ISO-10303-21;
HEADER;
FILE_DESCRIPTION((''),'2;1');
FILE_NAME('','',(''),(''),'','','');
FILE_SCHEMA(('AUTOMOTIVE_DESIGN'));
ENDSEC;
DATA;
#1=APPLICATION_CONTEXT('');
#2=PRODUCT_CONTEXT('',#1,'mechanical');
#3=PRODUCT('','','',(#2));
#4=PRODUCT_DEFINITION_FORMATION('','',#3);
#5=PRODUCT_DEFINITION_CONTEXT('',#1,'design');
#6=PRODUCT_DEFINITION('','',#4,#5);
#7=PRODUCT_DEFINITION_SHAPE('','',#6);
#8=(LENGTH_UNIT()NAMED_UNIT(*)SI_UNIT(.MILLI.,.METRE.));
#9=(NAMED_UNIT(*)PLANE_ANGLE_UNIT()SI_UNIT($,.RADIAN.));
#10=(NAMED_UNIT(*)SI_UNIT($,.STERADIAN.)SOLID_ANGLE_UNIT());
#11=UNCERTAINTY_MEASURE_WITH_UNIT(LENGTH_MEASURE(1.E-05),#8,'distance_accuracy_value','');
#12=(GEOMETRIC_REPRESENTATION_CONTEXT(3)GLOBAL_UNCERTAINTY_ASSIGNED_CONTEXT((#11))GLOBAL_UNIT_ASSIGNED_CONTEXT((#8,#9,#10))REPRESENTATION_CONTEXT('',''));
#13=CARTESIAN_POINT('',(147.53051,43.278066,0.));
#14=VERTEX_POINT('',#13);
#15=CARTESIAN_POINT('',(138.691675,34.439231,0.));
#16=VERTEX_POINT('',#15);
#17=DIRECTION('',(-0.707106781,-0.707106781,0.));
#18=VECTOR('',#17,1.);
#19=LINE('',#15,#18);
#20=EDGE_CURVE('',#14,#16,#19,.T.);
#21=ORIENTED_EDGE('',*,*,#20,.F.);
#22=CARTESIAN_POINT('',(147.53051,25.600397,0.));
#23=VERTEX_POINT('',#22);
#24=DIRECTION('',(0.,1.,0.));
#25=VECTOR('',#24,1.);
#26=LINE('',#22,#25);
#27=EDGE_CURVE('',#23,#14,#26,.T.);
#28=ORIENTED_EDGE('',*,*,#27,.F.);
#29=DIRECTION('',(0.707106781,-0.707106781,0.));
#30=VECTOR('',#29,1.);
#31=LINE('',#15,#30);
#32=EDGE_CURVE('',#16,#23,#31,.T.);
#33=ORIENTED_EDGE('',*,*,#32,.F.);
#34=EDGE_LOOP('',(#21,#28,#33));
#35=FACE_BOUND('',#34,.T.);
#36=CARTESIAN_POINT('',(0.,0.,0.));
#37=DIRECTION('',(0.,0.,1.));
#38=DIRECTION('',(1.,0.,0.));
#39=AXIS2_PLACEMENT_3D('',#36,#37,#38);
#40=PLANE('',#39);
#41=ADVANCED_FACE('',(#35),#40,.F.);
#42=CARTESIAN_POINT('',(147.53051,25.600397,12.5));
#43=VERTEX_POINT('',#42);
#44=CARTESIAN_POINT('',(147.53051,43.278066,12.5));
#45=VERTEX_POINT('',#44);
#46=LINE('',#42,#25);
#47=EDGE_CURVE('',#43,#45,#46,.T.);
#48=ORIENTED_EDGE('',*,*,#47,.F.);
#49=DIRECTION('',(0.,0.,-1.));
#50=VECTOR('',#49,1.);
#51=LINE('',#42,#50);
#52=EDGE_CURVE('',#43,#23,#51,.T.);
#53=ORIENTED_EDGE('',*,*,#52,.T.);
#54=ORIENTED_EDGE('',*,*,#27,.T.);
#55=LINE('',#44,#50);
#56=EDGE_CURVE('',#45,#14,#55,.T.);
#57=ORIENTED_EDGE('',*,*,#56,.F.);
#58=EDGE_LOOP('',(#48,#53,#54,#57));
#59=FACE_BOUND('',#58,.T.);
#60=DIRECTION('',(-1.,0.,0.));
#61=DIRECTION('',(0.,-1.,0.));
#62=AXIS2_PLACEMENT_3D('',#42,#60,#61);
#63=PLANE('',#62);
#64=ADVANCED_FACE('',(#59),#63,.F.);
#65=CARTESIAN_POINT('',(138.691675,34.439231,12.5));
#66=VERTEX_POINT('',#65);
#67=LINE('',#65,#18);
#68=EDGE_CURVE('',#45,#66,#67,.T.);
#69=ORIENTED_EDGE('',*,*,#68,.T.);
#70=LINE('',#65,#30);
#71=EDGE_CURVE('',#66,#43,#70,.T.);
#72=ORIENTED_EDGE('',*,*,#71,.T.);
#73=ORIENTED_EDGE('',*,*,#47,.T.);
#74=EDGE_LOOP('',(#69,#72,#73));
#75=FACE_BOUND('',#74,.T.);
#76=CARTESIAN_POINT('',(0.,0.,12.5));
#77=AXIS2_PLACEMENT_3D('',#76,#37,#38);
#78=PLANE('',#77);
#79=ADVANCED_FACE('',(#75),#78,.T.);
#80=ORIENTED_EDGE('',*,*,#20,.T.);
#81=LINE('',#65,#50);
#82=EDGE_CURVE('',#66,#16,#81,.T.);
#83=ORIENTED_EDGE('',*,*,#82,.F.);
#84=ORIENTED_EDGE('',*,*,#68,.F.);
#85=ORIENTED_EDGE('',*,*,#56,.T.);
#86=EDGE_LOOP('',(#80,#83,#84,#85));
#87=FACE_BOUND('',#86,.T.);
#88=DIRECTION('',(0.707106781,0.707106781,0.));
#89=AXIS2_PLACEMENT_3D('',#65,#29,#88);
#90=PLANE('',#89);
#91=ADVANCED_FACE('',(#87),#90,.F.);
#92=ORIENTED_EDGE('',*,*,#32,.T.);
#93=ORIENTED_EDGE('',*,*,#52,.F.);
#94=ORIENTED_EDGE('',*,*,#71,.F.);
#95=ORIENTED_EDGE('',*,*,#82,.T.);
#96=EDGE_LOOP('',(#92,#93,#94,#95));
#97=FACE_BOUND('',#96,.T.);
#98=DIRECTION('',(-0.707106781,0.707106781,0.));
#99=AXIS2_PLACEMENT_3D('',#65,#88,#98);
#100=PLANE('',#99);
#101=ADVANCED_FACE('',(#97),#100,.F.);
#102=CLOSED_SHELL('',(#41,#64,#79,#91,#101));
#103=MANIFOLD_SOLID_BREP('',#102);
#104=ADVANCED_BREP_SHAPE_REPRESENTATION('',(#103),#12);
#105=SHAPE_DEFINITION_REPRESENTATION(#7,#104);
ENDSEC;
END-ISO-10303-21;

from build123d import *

# Parameters (mm, degrees)
EXTRUDE_1_DEPTH = 12.5


with BuildPart() as part:
    # 草图1 → 凸台-拉伸1 (new body)
    with BuildSketch(Plane.XY):
        Polygon((138.691674881, 34.439231382), (147.530509646, 43.278066147), (147.530509646, 25.600396617), align=None)
    extrude(amount=EXTRUDE_1_DEPTH)


solid = part.part
